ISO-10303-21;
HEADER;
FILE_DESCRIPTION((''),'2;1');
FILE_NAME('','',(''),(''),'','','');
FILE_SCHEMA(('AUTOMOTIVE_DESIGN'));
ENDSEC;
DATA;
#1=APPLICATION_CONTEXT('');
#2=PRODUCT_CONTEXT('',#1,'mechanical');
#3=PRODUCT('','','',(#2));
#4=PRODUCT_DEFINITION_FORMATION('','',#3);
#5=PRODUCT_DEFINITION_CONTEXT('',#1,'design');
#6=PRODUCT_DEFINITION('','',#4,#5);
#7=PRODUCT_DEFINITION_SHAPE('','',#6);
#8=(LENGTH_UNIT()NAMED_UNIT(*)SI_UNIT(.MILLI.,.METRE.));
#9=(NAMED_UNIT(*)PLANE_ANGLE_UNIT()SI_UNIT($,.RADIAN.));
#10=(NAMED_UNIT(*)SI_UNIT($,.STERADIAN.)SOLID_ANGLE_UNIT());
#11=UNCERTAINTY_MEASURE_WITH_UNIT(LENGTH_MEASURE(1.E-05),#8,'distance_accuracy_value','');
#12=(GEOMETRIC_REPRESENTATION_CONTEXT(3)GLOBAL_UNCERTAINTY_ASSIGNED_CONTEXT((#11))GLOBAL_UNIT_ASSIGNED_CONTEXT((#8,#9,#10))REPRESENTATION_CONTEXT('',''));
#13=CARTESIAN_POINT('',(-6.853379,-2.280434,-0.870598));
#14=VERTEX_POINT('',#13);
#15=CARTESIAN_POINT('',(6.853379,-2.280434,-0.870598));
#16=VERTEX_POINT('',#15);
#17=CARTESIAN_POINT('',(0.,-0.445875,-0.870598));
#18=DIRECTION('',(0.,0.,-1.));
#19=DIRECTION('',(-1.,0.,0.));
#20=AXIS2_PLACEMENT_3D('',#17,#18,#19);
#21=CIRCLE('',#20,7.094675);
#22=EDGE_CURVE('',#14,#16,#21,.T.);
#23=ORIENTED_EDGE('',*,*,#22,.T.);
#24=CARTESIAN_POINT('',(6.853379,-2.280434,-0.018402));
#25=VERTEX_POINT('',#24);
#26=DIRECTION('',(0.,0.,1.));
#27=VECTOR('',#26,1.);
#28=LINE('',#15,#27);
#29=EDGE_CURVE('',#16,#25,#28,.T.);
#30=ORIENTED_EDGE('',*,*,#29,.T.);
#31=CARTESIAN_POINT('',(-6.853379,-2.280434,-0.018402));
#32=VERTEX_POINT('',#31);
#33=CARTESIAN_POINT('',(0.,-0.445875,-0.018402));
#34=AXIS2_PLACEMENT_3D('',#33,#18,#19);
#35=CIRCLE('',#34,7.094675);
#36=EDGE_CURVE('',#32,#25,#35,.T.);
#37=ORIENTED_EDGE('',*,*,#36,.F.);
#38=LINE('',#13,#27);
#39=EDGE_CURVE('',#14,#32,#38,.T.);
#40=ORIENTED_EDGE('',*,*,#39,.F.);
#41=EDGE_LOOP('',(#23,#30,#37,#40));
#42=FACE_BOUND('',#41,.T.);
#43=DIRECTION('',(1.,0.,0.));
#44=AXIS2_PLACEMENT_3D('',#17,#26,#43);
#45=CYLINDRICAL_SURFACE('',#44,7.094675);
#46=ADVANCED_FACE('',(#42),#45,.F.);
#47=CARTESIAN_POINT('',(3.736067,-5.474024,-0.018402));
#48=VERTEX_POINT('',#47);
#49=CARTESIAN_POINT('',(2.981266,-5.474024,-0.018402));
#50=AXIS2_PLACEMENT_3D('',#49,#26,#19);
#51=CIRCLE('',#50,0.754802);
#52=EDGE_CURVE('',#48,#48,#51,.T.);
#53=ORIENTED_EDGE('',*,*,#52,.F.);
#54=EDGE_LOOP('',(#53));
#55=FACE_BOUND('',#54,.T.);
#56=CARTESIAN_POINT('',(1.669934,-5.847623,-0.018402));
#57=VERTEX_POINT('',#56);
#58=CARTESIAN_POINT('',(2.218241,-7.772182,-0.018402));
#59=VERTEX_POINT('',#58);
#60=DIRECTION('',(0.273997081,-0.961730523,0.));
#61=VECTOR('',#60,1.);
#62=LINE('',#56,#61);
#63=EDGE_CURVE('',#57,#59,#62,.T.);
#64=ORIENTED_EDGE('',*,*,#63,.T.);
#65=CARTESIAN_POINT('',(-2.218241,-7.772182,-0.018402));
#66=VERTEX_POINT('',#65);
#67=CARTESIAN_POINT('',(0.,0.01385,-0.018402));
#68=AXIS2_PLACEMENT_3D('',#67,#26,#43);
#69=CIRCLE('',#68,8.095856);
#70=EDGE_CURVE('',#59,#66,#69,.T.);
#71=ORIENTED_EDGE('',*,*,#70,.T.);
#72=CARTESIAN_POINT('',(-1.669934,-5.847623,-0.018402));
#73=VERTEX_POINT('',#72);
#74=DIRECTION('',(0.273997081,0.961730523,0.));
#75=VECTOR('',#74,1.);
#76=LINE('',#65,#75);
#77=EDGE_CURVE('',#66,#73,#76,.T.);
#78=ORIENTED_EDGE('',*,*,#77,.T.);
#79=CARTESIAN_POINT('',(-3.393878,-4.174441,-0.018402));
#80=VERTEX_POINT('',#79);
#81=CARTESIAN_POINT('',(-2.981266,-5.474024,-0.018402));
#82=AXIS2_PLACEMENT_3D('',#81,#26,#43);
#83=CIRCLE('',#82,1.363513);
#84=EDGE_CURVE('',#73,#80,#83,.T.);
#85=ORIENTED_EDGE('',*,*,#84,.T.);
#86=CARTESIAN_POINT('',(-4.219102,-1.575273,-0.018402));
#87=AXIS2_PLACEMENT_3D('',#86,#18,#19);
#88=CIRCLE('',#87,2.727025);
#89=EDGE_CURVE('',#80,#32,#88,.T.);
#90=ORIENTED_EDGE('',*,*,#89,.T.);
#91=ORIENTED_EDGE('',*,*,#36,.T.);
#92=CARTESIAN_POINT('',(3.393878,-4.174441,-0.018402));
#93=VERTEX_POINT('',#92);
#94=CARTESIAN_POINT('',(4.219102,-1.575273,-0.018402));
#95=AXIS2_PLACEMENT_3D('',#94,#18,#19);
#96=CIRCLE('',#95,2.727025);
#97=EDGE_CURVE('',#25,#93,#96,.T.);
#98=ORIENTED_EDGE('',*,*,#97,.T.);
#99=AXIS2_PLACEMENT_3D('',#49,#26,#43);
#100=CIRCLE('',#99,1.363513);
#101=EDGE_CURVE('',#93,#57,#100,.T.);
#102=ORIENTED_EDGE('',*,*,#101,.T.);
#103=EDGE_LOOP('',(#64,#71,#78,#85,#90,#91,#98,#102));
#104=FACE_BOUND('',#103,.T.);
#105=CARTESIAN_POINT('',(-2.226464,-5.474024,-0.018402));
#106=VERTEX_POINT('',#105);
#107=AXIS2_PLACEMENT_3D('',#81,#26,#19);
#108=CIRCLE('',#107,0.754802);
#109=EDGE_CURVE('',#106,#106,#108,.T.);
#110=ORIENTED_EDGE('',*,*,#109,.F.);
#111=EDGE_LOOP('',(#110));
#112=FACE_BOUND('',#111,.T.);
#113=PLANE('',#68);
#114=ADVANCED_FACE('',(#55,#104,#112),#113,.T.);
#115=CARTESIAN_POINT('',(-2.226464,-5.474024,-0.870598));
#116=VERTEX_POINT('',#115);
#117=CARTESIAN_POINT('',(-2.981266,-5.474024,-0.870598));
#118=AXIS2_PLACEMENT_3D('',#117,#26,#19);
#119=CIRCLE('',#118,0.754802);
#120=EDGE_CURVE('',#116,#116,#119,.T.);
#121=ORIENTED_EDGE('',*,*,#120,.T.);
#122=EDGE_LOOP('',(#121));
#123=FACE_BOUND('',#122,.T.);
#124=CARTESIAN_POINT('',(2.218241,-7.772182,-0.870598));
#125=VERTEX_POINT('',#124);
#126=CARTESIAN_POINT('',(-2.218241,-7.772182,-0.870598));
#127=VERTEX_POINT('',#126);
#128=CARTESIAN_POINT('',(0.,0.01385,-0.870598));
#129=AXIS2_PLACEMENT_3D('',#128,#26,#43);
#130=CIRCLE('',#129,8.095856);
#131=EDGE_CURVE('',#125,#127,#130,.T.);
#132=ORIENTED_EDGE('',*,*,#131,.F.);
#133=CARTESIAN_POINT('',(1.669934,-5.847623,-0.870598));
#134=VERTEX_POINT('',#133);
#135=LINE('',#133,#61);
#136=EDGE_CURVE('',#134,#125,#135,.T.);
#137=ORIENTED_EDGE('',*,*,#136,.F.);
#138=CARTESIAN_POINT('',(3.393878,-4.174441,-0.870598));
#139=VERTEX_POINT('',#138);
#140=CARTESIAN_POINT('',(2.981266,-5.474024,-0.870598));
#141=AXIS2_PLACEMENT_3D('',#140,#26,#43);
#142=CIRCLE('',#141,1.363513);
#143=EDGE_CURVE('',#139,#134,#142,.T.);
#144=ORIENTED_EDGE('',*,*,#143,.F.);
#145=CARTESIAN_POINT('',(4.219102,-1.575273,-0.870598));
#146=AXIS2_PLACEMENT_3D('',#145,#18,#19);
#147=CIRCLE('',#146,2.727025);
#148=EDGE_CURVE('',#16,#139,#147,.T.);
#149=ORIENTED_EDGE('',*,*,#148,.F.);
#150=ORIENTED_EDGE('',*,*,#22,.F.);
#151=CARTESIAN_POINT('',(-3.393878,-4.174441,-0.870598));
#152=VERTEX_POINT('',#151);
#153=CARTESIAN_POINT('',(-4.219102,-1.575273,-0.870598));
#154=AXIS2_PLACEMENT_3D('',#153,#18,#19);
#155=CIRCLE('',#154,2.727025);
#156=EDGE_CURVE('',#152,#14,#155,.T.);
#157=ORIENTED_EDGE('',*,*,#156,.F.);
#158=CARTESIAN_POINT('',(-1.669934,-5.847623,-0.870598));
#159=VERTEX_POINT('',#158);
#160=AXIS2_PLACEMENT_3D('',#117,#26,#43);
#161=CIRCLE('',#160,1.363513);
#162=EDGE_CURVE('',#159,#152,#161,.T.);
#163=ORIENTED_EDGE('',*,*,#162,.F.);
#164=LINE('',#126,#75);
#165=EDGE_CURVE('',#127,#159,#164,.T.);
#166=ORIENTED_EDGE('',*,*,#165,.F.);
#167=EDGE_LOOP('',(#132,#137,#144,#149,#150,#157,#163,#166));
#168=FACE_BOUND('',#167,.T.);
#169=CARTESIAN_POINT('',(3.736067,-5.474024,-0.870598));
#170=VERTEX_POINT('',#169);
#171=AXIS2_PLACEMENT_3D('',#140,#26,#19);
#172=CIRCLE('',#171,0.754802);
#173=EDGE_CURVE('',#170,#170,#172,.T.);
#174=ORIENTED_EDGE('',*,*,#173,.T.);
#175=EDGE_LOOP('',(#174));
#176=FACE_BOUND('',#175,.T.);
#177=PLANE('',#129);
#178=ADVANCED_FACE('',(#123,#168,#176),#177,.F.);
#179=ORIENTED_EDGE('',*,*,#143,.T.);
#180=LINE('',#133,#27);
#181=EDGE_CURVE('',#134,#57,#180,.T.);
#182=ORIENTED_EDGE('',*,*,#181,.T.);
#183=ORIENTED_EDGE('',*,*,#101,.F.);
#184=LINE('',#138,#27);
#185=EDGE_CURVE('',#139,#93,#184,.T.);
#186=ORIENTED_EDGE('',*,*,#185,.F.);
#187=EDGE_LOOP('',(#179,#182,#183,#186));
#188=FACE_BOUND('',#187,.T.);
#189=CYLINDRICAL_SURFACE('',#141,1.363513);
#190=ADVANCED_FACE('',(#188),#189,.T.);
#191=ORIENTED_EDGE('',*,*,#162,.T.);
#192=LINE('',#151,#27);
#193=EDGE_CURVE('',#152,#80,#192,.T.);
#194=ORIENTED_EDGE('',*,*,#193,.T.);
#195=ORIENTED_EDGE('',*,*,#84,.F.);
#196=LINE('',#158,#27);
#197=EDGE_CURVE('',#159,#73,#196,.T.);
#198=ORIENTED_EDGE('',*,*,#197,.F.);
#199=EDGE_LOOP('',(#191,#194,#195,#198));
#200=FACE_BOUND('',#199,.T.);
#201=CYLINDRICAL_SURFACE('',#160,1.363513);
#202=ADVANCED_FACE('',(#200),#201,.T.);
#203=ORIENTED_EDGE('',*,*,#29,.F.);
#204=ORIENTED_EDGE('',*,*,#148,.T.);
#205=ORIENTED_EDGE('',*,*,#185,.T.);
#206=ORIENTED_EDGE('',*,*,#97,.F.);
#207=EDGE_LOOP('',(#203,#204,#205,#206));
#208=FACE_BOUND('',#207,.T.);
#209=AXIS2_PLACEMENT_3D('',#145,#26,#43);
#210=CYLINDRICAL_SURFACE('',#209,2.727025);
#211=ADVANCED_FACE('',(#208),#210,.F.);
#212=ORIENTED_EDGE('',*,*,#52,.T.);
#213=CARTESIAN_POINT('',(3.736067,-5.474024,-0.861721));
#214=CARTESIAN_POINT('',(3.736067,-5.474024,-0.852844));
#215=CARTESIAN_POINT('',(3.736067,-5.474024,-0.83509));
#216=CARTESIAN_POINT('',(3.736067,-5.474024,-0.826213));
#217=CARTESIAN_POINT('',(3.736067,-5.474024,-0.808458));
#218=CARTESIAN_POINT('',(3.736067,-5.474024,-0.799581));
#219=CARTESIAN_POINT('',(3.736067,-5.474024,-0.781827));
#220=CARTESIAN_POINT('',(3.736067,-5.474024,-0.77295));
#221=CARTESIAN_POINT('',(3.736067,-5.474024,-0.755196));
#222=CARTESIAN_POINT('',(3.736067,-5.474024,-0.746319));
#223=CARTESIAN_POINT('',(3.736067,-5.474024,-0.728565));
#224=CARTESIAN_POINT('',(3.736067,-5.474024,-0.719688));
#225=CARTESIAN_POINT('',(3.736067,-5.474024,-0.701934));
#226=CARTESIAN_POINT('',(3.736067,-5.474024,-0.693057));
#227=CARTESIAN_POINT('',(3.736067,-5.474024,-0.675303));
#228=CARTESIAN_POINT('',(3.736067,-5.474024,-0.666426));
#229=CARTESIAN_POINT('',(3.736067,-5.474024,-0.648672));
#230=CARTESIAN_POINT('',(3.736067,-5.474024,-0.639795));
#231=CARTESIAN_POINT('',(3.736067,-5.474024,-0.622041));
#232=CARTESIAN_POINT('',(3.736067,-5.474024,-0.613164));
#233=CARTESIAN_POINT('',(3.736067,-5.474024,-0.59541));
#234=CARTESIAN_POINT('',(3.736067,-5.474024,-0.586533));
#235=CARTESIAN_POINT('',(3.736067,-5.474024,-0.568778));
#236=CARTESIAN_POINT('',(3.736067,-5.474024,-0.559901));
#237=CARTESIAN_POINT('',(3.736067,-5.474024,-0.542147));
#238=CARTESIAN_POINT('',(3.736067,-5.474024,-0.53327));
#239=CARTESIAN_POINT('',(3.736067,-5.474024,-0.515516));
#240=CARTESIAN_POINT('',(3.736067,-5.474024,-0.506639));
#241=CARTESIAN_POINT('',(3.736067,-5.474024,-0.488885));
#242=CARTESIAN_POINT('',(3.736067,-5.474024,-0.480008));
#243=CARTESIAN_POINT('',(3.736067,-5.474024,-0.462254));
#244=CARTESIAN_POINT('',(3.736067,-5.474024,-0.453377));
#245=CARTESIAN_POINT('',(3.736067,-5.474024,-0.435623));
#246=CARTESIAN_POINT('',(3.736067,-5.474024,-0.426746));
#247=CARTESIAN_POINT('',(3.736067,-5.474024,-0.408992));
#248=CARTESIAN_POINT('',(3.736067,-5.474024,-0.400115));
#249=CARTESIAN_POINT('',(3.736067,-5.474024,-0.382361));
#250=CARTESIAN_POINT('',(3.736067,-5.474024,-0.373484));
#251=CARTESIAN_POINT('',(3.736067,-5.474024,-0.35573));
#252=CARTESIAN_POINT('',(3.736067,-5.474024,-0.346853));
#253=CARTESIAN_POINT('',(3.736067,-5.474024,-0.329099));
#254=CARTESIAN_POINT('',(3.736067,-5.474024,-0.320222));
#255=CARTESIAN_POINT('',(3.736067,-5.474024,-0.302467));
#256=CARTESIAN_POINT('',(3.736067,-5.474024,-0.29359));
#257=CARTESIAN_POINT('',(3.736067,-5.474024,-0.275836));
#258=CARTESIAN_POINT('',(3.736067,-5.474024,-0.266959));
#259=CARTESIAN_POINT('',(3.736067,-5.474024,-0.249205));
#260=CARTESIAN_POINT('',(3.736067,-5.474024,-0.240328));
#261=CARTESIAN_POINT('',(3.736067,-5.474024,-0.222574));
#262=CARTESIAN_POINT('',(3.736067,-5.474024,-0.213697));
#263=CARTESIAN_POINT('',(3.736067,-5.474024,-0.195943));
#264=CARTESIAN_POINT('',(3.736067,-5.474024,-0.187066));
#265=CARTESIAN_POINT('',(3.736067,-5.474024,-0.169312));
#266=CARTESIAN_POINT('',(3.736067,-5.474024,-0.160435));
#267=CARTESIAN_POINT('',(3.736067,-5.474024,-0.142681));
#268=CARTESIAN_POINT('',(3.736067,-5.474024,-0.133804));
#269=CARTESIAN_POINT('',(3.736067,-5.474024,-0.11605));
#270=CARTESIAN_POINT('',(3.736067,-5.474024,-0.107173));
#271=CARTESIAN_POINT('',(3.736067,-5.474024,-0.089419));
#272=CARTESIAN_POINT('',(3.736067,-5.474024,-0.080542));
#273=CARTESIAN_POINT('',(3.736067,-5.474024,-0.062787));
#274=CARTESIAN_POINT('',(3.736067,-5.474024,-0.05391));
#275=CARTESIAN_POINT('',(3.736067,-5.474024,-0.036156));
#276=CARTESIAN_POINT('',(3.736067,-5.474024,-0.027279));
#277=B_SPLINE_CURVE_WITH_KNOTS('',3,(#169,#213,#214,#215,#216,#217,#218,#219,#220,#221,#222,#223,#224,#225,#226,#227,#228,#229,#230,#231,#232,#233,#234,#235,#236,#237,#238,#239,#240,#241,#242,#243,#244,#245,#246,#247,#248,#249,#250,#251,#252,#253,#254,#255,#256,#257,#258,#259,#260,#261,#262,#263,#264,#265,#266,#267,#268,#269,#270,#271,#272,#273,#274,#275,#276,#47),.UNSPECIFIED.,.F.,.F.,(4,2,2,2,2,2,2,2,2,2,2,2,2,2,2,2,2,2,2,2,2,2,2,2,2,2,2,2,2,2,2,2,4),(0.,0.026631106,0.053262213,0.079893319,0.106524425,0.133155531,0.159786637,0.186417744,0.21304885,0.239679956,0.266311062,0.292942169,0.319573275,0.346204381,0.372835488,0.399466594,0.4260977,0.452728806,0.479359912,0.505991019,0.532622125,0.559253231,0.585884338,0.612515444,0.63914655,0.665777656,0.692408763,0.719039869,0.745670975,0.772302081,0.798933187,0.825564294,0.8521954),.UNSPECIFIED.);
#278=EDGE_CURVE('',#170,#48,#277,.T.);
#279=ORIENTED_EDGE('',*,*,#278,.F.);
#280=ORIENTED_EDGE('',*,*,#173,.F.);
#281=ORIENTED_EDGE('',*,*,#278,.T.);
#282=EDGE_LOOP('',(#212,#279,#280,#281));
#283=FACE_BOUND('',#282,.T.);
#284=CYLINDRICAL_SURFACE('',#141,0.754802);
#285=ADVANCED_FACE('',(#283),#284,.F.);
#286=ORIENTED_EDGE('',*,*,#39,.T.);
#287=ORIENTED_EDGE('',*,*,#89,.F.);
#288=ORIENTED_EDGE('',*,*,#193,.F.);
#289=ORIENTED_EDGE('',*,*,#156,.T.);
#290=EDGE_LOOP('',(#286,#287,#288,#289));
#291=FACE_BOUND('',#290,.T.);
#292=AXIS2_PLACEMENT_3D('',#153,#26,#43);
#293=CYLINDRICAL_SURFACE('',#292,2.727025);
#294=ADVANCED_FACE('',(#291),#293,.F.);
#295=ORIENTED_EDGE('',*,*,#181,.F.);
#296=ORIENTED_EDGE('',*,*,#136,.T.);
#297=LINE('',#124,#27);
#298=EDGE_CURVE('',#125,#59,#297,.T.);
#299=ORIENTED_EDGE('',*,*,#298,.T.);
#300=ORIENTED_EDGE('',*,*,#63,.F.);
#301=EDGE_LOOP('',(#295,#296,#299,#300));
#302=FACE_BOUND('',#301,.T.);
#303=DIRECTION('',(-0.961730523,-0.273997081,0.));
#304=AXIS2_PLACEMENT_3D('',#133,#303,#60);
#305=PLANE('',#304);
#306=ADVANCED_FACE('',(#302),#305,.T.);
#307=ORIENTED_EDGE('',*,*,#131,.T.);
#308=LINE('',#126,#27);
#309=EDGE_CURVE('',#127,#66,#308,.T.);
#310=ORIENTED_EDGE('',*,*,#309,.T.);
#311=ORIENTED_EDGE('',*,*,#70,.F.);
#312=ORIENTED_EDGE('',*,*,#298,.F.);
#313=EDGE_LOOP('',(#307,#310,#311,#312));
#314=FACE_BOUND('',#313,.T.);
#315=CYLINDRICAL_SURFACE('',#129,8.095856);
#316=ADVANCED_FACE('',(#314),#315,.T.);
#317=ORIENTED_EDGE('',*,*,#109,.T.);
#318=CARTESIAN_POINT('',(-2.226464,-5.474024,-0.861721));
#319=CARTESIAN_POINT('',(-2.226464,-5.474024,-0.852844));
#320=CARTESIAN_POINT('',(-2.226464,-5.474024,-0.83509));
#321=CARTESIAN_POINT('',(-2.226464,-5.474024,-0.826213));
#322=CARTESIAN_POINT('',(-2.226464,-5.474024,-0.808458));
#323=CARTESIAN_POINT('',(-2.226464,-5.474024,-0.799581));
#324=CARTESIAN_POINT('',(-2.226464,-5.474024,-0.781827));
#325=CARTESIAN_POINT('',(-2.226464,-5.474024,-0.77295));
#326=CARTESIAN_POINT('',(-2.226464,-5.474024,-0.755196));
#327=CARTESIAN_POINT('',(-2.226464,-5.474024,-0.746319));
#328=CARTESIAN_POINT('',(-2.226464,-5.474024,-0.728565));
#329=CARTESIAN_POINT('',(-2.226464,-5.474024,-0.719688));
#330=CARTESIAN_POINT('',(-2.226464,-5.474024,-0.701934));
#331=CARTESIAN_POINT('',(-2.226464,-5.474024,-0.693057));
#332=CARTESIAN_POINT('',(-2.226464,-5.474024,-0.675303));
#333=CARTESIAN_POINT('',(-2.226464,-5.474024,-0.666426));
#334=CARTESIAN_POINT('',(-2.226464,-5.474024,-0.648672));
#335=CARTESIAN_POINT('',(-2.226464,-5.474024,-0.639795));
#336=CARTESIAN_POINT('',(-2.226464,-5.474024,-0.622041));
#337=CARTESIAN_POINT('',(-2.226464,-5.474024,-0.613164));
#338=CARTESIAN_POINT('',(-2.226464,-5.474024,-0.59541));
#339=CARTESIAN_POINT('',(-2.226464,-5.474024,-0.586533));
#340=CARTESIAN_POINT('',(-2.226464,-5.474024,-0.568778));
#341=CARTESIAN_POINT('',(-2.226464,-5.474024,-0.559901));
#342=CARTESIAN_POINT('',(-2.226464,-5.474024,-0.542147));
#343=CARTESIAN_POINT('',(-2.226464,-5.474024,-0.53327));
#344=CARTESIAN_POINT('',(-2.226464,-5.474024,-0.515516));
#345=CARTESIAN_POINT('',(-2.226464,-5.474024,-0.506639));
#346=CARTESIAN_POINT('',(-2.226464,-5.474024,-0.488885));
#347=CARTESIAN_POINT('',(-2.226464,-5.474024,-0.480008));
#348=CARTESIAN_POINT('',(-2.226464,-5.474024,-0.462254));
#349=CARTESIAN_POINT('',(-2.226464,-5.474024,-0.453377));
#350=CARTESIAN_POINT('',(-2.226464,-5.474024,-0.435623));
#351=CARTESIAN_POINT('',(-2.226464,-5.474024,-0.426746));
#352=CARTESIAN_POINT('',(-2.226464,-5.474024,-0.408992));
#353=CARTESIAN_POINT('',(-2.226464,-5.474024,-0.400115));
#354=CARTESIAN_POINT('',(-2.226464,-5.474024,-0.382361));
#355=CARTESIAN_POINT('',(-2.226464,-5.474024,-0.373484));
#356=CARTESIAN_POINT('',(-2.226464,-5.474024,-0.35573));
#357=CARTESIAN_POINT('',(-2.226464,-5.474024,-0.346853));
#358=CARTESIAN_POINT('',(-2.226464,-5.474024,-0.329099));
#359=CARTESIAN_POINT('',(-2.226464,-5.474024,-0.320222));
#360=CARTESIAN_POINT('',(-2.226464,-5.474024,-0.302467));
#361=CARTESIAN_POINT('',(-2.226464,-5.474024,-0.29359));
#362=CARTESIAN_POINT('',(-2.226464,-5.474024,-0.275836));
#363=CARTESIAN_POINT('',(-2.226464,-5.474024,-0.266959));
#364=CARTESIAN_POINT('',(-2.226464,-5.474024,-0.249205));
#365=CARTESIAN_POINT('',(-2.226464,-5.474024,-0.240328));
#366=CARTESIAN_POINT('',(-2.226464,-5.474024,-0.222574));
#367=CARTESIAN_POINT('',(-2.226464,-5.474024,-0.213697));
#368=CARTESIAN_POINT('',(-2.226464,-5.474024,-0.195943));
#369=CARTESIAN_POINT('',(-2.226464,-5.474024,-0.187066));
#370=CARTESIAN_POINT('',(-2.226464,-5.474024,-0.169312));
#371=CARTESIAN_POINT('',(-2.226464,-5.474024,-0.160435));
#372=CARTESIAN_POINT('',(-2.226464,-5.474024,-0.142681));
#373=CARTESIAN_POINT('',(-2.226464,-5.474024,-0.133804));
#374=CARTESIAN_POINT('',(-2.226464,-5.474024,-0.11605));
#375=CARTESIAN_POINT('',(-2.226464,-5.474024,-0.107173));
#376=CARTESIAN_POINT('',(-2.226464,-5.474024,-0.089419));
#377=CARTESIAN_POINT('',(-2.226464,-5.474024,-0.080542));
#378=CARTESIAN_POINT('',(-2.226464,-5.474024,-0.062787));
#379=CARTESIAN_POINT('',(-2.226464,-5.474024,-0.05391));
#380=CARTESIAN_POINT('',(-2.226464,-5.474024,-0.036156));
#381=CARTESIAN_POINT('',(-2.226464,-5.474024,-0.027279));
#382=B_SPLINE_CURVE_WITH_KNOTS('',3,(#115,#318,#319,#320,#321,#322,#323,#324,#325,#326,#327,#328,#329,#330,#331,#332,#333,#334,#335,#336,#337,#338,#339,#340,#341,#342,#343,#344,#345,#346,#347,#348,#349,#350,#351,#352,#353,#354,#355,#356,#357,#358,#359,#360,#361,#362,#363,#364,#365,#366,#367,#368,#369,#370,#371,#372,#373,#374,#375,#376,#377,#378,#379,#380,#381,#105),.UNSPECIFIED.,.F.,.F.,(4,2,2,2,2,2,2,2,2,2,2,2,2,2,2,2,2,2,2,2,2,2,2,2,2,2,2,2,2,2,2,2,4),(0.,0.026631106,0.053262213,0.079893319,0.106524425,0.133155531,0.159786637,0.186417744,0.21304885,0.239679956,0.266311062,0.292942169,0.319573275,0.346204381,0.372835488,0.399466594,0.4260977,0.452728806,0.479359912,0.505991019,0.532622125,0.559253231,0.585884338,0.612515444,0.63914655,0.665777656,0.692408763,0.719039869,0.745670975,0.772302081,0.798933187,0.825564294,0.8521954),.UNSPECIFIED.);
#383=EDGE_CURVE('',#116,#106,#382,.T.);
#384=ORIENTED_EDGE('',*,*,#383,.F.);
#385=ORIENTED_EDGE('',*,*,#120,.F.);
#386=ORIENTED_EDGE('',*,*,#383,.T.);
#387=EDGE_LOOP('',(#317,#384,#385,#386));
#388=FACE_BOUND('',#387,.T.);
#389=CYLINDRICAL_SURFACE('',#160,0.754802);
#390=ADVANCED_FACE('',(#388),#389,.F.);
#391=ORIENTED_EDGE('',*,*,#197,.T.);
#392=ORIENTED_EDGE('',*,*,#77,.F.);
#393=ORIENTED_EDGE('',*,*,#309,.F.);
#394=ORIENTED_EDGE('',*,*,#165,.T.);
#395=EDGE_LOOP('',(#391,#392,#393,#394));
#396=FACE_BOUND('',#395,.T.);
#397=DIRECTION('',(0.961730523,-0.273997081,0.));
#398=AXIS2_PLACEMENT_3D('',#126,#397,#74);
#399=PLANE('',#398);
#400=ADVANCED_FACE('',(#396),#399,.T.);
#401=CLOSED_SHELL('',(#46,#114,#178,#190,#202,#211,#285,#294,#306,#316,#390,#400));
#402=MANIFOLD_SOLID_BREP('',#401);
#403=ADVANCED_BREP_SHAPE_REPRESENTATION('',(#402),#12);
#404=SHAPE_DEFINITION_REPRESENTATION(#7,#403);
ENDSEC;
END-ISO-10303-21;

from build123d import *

# Parameters (mm, degrees)
ESQUISSE1_R        = 0.75480164
BOSS_EXTRU_1_DEPTH = 0.8521954


with BuildPart() as part:
    # Esquisse1 → Boss.-Extru.1 (new body)
    with BuildSketch(Plane.XY.offset(-0.0184023)):
        with BuildLine():
            Line((-2.218240991, -7.772182242), (-1.669933881, -5.847622743))
            ThreePointArc((-1.669933881, -5.847622743), (-2.031629427, -4.49557761), (-3.39387782, -4.174440527))
            ThreePointArc((-3.39387782, -4.174440527), (-5.528675736, -3.967277273), (-6.85337913, -2.280434165))
            ThreePointArc((-6.85337913, -2.280434165), (0, 6.648799775), (6.85337913, -2.280434165))
            ThreePointArc((6.85337913, -2.280434165), (5.528675736, -3.967277273), (3.39387782, -4.174440527))
            ThreePointArc((3.39387782, -4.174440527), (2.031629427, -4.49557761), (1.669933881, -5.847622743))
            Line((1.669933881, -5.847622743), (2.218240991, -7.772182242))
            ThreePointArc((2.218240991, -7.772182242), (0, 8.109706175), (-2.218240991, -7.772182242))
        make_face()
        with Locations((2.981265606, -5.47402426)):
            Circle(ESQUISSE1_R, mode=Mode.SUBTRACT)
        with Locations((-2.981265606, -5.47402426)):
            Circle(ESQUISSE1_R, mode=Mode.SUBTRACT)
    extrude(amount=-BOSS_EXTRU_1_DEPTH)


solid = part.part
